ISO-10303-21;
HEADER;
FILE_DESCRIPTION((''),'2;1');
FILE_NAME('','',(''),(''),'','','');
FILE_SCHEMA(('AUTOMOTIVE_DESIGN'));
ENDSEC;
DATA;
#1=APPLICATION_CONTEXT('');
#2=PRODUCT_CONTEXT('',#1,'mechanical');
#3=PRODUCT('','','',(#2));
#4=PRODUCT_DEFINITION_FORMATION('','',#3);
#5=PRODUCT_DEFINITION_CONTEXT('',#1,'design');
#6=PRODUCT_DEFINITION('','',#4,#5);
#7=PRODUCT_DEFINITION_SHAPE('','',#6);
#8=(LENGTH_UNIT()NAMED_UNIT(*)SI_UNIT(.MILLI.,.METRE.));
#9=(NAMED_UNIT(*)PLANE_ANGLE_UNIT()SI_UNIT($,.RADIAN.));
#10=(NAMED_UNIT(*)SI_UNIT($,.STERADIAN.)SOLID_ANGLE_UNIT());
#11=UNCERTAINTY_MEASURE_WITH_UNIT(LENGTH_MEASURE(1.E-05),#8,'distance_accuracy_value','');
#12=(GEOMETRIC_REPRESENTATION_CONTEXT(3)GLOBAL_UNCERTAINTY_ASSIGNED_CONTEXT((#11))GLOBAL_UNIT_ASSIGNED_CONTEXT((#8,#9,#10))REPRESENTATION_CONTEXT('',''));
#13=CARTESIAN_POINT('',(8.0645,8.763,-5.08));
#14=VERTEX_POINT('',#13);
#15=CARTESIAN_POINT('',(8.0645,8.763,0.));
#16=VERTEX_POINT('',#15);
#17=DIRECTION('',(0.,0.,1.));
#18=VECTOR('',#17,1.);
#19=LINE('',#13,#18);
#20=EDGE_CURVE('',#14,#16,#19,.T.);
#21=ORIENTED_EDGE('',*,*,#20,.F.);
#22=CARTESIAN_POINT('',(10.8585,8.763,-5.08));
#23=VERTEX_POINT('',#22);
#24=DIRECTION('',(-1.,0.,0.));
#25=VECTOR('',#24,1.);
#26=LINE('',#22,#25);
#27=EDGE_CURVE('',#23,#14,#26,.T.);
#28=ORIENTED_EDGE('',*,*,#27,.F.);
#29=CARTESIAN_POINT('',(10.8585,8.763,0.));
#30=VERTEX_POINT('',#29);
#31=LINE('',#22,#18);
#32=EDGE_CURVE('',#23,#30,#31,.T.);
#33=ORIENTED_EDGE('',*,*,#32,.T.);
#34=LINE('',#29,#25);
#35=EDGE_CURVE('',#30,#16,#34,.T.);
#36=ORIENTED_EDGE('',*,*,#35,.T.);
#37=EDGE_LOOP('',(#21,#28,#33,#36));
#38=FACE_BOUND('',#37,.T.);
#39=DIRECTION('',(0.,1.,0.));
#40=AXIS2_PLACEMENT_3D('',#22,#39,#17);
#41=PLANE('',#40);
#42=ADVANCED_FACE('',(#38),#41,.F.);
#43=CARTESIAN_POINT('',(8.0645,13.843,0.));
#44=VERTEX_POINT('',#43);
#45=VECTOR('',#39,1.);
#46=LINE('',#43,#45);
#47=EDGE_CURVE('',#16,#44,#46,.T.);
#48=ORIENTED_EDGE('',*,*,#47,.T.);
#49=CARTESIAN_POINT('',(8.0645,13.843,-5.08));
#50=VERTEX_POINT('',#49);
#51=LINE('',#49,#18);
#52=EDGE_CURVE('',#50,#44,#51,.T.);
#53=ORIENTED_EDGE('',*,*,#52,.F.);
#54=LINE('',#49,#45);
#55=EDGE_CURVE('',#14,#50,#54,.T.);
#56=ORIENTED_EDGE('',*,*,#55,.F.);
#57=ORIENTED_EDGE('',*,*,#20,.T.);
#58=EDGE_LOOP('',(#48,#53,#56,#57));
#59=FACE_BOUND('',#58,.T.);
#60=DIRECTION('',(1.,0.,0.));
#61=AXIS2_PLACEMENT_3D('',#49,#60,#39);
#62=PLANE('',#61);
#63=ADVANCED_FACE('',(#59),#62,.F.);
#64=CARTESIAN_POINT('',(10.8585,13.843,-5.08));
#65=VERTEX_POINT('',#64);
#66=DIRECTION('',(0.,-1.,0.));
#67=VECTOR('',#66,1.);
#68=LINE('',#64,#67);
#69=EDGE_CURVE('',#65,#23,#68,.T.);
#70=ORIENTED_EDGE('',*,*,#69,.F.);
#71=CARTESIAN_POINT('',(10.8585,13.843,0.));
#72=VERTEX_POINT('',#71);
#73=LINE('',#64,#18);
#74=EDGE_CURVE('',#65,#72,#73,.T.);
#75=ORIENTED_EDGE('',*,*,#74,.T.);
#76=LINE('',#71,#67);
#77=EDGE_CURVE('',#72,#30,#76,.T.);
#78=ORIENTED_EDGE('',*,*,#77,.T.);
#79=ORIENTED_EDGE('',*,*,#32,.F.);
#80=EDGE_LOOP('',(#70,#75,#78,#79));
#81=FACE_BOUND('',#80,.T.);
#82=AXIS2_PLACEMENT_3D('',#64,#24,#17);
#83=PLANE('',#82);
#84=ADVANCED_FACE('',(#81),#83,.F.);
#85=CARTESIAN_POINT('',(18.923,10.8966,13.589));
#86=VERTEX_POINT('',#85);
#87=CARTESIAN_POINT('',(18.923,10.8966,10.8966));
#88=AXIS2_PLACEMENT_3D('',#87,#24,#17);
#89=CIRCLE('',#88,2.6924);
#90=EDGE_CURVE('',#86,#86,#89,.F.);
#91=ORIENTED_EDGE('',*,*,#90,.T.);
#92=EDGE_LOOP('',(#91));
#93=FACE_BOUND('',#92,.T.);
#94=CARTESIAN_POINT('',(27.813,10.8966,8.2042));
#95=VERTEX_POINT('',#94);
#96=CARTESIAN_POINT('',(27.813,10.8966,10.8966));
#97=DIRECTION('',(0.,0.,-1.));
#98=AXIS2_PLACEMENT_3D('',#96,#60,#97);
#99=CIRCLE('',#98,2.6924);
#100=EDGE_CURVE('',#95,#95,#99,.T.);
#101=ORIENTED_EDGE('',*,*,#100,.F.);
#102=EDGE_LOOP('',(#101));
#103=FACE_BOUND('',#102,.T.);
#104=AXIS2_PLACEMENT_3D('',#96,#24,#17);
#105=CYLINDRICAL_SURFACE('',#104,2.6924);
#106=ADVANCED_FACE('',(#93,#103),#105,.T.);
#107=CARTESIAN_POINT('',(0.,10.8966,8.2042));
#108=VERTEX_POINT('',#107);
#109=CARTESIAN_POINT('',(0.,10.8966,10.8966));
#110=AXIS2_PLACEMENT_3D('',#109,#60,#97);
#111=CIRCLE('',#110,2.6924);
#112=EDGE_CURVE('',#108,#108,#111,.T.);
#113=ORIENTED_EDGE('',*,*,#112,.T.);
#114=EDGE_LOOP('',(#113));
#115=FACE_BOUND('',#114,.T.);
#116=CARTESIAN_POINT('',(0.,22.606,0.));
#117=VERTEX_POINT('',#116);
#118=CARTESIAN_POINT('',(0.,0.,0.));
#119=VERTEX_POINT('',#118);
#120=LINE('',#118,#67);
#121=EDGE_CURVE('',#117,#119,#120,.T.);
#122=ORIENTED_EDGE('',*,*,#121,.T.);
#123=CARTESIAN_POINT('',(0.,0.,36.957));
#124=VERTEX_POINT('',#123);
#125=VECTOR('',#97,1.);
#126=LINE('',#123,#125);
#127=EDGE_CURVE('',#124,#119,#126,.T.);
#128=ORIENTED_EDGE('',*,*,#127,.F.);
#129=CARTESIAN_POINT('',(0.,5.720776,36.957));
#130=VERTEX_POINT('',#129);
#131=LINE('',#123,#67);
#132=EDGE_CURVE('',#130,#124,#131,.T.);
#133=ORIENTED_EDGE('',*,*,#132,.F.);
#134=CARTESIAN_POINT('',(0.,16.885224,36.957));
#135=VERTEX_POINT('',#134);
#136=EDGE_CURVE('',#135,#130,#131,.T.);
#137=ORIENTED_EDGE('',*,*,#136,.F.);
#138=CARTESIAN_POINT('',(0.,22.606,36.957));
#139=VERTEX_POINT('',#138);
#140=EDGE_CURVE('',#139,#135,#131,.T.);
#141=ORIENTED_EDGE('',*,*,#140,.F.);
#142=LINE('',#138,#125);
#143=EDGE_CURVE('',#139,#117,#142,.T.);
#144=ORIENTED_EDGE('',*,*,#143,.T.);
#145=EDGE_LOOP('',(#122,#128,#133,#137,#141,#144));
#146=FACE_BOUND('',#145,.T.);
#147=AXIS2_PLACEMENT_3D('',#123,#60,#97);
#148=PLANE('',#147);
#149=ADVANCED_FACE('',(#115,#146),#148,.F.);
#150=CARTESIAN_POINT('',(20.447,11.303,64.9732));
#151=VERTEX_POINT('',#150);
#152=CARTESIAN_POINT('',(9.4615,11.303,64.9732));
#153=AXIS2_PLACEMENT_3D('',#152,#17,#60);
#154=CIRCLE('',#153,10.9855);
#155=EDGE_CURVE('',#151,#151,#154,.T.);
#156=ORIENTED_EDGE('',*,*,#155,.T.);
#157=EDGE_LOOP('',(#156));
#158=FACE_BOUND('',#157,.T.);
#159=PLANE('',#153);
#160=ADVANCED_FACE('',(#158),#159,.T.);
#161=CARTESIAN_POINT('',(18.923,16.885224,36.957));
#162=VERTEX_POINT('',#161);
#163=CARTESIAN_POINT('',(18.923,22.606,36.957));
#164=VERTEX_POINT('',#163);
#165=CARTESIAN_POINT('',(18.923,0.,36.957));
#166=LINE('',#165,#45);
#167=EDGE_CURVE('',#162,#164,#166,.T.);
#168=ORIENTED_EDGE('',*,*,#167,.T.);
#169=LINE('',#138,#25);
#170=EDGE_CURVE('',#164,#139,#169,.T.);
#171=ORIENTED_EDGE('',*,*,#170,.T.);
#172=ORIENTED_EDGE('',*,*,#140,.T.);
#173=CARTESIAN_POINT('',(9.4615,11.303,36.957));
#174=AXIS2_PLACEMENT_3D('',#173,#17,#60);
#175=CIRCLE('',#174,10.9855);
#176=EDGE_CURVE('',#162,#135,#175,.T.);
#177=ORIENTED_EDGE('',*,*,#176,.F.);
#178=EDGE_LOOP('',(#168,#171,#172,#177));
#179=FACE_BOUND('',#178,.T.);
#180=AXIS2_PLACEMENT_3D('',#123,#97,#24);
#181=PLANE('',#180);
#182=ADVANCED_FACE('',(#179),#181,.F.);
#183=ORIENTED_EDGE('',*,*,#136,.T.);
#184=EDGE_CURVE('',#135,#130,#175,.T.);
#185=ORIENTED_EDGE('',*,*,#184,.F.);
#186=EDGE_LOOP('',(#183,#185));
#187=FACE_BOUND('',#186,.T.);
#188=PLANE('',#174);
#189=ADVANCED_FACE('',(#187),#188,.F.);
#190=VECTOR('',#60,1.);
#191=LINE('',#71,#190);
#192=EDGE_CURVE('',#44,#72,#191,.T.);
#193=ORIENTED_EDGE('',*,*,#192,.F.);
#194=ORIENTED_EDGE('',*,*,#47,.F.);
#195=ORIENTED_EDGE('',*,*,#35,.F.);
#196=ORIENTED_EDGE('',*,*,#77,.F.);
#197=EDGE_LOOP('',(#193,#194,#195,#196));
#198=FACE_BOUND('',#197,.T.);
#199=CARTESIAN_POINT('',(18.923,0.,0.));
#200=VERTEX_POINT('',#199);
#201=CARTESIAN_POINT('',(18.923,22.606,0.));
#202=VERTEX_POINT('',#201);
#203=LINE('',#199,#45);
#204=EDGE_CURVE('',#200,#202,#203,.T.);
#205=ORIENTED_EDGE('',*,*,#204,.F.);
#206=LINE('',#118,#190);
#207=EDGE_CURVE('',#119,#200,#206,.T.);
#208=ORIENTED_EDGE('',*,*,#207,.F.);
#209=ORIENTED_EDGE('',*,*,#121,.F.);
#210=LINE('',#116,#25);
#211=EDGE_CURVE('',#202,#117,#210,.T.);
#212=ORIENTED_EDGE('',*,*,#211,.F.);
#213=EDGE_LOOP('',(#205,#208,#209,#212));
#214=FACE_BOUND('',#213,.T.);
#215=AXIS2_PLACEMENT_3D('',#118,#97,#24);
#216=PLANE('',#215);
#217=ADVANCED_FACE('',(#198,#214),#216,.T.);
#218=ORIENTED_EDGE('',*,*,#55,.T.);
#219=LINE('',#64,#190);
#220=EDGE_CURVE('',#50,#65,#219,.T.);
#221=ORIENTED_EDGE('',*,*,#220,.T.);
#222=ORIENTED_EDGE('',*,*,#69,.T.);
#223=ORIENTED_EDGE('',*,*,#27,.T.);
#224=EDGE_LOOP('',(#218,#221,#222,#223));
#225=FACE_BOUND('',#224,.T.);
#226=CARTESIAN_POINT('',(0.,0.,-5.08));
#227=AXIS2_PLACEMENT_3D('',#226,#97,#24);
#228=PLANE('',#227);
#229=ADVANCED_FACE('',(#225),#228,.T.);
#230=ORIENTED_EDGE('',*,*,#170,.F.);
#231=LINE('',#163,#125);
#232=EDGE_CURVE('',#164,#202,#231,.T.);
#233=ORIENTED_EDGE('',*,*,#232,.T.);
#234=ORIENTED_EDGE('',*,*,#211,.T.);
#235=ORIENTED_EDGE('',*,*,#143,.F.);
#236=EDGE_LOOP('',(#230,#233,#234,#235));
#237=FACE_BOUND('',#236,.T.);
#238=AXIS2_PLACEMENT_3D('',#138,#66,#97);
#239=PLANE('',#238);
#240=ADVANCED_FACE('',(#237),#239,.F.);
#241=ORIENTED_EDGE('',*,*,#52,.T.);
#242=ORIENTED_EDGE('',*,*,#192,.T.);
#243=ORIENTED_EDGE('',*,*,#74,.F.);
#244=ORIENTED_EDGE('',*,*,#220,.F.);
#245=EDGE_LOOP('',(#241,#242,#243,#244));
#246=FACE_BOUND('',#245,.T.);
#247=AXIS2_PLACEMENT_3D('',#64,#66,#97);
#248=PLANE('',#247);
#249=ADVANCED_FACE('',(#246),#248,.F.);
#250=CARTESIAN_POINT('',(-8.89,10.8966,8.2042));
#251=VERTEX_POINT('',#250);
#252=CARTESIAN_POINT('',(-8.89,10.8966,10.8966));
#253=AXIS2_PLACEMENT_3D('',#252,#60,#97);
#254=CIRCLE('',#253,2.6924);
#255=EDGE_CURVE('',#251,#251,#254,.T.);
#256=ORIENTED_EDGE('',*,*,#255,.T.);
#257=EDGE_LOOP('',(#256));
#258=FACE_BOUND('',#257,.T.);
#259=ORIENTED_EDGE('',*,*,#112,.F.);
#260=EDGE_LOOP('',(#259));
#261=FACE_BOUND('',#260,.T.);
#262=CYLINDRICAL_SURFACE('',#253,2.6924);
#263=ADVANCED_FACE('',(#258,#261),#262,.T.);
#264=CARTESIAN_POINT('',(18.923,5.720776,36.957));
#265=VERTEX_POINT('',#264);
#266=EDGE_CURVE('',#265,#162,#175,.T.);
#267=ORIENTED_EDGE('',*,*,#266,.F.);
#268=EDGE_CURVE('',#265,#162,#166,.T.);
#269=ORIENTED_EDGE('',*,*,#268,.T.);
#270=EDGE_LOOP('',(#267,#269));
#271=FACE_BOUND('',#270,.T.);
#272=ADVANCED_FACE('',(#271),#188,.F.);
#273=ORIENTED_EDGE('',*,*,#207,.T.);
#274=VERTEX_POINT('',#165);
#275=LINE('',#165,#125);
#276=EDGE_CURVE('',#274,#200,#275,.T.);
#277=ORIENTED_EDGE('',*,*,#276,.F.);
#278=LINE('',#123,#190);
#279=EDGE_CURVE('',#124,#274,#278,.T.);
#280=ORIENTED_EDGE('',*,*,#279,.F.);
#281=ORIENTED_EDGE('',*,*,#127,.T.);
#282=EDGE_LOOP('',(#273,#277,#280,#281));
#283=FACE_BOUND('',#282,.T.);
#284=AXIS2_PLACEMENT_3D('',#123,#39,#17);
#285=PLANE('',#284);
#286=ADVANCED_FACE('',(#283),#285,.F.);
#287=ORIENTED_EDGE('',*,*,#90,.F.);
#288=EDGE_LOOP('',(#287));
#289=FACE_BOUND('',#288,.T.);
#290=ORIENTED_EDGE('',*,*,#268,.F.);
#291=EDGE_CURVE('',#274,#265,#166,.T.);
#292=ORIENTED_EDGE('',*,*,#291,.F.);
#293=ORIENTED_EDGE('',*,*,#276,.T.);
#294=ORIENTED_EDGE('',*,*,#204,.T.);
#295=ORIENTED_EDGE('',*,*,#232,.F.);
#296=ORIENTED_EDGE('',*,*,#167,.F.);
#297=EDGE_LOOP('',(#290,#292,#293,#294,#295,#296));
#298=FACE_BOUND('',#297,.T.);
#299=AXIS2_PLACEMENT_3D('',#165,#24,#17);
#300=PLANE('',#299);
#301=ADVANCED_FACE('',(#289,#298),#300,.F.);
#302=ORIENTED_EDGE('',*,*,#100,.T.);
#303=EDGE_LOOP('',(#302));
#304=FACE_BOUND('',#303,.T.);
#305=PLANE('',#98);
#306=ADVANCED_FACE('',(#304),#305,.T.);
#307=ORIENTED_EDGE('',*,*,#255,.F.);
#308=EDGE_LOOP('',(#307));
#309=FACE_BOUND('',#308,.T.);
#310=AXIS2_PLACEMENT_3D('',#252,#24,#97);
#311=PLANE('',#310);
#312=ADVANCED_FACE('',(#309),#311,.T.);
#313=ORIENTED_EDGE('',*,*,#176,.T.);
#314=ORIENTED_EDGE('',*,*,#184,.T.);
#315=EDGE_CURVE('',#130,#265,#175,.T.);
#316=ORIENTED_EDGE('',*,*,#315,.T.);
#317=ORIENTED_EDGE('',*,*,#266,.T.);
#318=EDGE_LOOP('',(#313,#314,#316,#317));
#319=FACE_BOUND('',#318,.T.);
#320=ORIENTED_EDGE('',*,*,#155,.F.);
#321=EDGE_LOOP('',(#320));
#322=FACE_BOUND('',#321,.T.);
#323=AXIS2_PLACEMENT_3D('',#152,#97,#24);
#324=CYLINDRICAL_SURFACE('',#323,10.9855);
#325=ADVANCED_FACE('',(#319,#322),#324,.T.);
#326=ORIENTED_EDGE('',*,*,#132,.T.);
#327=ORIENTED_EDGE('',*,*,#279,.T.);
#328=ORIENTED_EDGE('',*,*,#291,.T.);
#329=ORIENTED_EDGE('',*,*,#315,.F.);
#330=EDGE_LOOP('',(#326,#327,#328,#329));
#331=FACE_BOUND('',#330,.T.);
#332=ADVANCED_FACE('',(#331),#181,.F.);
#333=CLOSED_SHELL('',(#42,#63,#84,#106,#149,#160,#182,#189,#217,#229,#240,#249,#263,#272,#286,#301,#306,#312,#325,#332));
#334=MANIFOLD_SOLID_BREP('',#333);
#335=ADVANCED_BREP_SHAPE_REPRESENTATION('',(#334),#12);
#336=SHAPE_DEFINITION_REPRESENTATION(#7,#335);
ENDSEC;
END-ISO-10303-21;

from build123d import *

# Parameters (mm, degrees)
SKETCH1_W           = 18.923
SKETCH1_H           = 22.606
BOSS_EXTRUDE1_DEPTH = 36.957
SKETCH2_R           = 10.9855
BOSS_EXTRUDE2_DEPTH = 28.0162
SKETCH3_W           = 2.794
SKETCH3_H           = 5.08
BOSS_EXTRUDE3_DEPTH = 5.08
SKETCH4_R           = 2.6924
BOSS_EXTRUDE4_DEPTH = 8.89


with BuildPart() as part:
    # Sketch1 → Boss-Extrude1 (new body)
    with BuildSketch(Plane.XY):
        with Locations((9.4615, 11.303)):
            Rectangle(SKETCH1_W, SKETCH1_H)
    extrude(amount=BOSS_EXTRUDE1_DEPTH)

    # Sketch2 → Boss-Extrude2 (add)
    with BuildSketch(Plane.XY.offset(36.957)):
        with Locations(Location((9.4615, 11.303, 0), (0, 0, 149.45966787))):
            Circle(SKETCH2_R)
    extrude(amount=BOSS_EXTRUDE2_DEPTH)

    # Sketch3 → Boss-Extrude3 (add)
    with BuildSketch(Plane(origin=(0, 0, 0), x_dir=(-1, 0, 0), z_dir=(0, 0, -1))):
        with Locations((-9.4615, 11.303)):
            Rectangle(SKETCH3_W, SKETCH3_H)
    extrude(amount=BOSS_EXTRUDE3_DEPTH)

    # Sketch4 → Boss-Extrude4 (add)
    with BuildSketch(Plane(origin=(18.923, 0, 0), x_dir=(0, 0, -1), z_dir=(1, 0, 0))):
        with Locations(Location((-10.8966, 10.8966, 0), (0, 0, 180))):
            Circle(SKETCH4_R)
    boss_extrude4 = extrude(amount=BOSS_EXTRUDE4_DEPTH)

    # Mirror1: Boss-Extrude4 across plane
    add(boss_extrude4.mirror(Plane(origin=(9.4615, 0, 0), x_dir=(0, 0, 1), z_dir=(1, 0, 0))))


solid = part.part
